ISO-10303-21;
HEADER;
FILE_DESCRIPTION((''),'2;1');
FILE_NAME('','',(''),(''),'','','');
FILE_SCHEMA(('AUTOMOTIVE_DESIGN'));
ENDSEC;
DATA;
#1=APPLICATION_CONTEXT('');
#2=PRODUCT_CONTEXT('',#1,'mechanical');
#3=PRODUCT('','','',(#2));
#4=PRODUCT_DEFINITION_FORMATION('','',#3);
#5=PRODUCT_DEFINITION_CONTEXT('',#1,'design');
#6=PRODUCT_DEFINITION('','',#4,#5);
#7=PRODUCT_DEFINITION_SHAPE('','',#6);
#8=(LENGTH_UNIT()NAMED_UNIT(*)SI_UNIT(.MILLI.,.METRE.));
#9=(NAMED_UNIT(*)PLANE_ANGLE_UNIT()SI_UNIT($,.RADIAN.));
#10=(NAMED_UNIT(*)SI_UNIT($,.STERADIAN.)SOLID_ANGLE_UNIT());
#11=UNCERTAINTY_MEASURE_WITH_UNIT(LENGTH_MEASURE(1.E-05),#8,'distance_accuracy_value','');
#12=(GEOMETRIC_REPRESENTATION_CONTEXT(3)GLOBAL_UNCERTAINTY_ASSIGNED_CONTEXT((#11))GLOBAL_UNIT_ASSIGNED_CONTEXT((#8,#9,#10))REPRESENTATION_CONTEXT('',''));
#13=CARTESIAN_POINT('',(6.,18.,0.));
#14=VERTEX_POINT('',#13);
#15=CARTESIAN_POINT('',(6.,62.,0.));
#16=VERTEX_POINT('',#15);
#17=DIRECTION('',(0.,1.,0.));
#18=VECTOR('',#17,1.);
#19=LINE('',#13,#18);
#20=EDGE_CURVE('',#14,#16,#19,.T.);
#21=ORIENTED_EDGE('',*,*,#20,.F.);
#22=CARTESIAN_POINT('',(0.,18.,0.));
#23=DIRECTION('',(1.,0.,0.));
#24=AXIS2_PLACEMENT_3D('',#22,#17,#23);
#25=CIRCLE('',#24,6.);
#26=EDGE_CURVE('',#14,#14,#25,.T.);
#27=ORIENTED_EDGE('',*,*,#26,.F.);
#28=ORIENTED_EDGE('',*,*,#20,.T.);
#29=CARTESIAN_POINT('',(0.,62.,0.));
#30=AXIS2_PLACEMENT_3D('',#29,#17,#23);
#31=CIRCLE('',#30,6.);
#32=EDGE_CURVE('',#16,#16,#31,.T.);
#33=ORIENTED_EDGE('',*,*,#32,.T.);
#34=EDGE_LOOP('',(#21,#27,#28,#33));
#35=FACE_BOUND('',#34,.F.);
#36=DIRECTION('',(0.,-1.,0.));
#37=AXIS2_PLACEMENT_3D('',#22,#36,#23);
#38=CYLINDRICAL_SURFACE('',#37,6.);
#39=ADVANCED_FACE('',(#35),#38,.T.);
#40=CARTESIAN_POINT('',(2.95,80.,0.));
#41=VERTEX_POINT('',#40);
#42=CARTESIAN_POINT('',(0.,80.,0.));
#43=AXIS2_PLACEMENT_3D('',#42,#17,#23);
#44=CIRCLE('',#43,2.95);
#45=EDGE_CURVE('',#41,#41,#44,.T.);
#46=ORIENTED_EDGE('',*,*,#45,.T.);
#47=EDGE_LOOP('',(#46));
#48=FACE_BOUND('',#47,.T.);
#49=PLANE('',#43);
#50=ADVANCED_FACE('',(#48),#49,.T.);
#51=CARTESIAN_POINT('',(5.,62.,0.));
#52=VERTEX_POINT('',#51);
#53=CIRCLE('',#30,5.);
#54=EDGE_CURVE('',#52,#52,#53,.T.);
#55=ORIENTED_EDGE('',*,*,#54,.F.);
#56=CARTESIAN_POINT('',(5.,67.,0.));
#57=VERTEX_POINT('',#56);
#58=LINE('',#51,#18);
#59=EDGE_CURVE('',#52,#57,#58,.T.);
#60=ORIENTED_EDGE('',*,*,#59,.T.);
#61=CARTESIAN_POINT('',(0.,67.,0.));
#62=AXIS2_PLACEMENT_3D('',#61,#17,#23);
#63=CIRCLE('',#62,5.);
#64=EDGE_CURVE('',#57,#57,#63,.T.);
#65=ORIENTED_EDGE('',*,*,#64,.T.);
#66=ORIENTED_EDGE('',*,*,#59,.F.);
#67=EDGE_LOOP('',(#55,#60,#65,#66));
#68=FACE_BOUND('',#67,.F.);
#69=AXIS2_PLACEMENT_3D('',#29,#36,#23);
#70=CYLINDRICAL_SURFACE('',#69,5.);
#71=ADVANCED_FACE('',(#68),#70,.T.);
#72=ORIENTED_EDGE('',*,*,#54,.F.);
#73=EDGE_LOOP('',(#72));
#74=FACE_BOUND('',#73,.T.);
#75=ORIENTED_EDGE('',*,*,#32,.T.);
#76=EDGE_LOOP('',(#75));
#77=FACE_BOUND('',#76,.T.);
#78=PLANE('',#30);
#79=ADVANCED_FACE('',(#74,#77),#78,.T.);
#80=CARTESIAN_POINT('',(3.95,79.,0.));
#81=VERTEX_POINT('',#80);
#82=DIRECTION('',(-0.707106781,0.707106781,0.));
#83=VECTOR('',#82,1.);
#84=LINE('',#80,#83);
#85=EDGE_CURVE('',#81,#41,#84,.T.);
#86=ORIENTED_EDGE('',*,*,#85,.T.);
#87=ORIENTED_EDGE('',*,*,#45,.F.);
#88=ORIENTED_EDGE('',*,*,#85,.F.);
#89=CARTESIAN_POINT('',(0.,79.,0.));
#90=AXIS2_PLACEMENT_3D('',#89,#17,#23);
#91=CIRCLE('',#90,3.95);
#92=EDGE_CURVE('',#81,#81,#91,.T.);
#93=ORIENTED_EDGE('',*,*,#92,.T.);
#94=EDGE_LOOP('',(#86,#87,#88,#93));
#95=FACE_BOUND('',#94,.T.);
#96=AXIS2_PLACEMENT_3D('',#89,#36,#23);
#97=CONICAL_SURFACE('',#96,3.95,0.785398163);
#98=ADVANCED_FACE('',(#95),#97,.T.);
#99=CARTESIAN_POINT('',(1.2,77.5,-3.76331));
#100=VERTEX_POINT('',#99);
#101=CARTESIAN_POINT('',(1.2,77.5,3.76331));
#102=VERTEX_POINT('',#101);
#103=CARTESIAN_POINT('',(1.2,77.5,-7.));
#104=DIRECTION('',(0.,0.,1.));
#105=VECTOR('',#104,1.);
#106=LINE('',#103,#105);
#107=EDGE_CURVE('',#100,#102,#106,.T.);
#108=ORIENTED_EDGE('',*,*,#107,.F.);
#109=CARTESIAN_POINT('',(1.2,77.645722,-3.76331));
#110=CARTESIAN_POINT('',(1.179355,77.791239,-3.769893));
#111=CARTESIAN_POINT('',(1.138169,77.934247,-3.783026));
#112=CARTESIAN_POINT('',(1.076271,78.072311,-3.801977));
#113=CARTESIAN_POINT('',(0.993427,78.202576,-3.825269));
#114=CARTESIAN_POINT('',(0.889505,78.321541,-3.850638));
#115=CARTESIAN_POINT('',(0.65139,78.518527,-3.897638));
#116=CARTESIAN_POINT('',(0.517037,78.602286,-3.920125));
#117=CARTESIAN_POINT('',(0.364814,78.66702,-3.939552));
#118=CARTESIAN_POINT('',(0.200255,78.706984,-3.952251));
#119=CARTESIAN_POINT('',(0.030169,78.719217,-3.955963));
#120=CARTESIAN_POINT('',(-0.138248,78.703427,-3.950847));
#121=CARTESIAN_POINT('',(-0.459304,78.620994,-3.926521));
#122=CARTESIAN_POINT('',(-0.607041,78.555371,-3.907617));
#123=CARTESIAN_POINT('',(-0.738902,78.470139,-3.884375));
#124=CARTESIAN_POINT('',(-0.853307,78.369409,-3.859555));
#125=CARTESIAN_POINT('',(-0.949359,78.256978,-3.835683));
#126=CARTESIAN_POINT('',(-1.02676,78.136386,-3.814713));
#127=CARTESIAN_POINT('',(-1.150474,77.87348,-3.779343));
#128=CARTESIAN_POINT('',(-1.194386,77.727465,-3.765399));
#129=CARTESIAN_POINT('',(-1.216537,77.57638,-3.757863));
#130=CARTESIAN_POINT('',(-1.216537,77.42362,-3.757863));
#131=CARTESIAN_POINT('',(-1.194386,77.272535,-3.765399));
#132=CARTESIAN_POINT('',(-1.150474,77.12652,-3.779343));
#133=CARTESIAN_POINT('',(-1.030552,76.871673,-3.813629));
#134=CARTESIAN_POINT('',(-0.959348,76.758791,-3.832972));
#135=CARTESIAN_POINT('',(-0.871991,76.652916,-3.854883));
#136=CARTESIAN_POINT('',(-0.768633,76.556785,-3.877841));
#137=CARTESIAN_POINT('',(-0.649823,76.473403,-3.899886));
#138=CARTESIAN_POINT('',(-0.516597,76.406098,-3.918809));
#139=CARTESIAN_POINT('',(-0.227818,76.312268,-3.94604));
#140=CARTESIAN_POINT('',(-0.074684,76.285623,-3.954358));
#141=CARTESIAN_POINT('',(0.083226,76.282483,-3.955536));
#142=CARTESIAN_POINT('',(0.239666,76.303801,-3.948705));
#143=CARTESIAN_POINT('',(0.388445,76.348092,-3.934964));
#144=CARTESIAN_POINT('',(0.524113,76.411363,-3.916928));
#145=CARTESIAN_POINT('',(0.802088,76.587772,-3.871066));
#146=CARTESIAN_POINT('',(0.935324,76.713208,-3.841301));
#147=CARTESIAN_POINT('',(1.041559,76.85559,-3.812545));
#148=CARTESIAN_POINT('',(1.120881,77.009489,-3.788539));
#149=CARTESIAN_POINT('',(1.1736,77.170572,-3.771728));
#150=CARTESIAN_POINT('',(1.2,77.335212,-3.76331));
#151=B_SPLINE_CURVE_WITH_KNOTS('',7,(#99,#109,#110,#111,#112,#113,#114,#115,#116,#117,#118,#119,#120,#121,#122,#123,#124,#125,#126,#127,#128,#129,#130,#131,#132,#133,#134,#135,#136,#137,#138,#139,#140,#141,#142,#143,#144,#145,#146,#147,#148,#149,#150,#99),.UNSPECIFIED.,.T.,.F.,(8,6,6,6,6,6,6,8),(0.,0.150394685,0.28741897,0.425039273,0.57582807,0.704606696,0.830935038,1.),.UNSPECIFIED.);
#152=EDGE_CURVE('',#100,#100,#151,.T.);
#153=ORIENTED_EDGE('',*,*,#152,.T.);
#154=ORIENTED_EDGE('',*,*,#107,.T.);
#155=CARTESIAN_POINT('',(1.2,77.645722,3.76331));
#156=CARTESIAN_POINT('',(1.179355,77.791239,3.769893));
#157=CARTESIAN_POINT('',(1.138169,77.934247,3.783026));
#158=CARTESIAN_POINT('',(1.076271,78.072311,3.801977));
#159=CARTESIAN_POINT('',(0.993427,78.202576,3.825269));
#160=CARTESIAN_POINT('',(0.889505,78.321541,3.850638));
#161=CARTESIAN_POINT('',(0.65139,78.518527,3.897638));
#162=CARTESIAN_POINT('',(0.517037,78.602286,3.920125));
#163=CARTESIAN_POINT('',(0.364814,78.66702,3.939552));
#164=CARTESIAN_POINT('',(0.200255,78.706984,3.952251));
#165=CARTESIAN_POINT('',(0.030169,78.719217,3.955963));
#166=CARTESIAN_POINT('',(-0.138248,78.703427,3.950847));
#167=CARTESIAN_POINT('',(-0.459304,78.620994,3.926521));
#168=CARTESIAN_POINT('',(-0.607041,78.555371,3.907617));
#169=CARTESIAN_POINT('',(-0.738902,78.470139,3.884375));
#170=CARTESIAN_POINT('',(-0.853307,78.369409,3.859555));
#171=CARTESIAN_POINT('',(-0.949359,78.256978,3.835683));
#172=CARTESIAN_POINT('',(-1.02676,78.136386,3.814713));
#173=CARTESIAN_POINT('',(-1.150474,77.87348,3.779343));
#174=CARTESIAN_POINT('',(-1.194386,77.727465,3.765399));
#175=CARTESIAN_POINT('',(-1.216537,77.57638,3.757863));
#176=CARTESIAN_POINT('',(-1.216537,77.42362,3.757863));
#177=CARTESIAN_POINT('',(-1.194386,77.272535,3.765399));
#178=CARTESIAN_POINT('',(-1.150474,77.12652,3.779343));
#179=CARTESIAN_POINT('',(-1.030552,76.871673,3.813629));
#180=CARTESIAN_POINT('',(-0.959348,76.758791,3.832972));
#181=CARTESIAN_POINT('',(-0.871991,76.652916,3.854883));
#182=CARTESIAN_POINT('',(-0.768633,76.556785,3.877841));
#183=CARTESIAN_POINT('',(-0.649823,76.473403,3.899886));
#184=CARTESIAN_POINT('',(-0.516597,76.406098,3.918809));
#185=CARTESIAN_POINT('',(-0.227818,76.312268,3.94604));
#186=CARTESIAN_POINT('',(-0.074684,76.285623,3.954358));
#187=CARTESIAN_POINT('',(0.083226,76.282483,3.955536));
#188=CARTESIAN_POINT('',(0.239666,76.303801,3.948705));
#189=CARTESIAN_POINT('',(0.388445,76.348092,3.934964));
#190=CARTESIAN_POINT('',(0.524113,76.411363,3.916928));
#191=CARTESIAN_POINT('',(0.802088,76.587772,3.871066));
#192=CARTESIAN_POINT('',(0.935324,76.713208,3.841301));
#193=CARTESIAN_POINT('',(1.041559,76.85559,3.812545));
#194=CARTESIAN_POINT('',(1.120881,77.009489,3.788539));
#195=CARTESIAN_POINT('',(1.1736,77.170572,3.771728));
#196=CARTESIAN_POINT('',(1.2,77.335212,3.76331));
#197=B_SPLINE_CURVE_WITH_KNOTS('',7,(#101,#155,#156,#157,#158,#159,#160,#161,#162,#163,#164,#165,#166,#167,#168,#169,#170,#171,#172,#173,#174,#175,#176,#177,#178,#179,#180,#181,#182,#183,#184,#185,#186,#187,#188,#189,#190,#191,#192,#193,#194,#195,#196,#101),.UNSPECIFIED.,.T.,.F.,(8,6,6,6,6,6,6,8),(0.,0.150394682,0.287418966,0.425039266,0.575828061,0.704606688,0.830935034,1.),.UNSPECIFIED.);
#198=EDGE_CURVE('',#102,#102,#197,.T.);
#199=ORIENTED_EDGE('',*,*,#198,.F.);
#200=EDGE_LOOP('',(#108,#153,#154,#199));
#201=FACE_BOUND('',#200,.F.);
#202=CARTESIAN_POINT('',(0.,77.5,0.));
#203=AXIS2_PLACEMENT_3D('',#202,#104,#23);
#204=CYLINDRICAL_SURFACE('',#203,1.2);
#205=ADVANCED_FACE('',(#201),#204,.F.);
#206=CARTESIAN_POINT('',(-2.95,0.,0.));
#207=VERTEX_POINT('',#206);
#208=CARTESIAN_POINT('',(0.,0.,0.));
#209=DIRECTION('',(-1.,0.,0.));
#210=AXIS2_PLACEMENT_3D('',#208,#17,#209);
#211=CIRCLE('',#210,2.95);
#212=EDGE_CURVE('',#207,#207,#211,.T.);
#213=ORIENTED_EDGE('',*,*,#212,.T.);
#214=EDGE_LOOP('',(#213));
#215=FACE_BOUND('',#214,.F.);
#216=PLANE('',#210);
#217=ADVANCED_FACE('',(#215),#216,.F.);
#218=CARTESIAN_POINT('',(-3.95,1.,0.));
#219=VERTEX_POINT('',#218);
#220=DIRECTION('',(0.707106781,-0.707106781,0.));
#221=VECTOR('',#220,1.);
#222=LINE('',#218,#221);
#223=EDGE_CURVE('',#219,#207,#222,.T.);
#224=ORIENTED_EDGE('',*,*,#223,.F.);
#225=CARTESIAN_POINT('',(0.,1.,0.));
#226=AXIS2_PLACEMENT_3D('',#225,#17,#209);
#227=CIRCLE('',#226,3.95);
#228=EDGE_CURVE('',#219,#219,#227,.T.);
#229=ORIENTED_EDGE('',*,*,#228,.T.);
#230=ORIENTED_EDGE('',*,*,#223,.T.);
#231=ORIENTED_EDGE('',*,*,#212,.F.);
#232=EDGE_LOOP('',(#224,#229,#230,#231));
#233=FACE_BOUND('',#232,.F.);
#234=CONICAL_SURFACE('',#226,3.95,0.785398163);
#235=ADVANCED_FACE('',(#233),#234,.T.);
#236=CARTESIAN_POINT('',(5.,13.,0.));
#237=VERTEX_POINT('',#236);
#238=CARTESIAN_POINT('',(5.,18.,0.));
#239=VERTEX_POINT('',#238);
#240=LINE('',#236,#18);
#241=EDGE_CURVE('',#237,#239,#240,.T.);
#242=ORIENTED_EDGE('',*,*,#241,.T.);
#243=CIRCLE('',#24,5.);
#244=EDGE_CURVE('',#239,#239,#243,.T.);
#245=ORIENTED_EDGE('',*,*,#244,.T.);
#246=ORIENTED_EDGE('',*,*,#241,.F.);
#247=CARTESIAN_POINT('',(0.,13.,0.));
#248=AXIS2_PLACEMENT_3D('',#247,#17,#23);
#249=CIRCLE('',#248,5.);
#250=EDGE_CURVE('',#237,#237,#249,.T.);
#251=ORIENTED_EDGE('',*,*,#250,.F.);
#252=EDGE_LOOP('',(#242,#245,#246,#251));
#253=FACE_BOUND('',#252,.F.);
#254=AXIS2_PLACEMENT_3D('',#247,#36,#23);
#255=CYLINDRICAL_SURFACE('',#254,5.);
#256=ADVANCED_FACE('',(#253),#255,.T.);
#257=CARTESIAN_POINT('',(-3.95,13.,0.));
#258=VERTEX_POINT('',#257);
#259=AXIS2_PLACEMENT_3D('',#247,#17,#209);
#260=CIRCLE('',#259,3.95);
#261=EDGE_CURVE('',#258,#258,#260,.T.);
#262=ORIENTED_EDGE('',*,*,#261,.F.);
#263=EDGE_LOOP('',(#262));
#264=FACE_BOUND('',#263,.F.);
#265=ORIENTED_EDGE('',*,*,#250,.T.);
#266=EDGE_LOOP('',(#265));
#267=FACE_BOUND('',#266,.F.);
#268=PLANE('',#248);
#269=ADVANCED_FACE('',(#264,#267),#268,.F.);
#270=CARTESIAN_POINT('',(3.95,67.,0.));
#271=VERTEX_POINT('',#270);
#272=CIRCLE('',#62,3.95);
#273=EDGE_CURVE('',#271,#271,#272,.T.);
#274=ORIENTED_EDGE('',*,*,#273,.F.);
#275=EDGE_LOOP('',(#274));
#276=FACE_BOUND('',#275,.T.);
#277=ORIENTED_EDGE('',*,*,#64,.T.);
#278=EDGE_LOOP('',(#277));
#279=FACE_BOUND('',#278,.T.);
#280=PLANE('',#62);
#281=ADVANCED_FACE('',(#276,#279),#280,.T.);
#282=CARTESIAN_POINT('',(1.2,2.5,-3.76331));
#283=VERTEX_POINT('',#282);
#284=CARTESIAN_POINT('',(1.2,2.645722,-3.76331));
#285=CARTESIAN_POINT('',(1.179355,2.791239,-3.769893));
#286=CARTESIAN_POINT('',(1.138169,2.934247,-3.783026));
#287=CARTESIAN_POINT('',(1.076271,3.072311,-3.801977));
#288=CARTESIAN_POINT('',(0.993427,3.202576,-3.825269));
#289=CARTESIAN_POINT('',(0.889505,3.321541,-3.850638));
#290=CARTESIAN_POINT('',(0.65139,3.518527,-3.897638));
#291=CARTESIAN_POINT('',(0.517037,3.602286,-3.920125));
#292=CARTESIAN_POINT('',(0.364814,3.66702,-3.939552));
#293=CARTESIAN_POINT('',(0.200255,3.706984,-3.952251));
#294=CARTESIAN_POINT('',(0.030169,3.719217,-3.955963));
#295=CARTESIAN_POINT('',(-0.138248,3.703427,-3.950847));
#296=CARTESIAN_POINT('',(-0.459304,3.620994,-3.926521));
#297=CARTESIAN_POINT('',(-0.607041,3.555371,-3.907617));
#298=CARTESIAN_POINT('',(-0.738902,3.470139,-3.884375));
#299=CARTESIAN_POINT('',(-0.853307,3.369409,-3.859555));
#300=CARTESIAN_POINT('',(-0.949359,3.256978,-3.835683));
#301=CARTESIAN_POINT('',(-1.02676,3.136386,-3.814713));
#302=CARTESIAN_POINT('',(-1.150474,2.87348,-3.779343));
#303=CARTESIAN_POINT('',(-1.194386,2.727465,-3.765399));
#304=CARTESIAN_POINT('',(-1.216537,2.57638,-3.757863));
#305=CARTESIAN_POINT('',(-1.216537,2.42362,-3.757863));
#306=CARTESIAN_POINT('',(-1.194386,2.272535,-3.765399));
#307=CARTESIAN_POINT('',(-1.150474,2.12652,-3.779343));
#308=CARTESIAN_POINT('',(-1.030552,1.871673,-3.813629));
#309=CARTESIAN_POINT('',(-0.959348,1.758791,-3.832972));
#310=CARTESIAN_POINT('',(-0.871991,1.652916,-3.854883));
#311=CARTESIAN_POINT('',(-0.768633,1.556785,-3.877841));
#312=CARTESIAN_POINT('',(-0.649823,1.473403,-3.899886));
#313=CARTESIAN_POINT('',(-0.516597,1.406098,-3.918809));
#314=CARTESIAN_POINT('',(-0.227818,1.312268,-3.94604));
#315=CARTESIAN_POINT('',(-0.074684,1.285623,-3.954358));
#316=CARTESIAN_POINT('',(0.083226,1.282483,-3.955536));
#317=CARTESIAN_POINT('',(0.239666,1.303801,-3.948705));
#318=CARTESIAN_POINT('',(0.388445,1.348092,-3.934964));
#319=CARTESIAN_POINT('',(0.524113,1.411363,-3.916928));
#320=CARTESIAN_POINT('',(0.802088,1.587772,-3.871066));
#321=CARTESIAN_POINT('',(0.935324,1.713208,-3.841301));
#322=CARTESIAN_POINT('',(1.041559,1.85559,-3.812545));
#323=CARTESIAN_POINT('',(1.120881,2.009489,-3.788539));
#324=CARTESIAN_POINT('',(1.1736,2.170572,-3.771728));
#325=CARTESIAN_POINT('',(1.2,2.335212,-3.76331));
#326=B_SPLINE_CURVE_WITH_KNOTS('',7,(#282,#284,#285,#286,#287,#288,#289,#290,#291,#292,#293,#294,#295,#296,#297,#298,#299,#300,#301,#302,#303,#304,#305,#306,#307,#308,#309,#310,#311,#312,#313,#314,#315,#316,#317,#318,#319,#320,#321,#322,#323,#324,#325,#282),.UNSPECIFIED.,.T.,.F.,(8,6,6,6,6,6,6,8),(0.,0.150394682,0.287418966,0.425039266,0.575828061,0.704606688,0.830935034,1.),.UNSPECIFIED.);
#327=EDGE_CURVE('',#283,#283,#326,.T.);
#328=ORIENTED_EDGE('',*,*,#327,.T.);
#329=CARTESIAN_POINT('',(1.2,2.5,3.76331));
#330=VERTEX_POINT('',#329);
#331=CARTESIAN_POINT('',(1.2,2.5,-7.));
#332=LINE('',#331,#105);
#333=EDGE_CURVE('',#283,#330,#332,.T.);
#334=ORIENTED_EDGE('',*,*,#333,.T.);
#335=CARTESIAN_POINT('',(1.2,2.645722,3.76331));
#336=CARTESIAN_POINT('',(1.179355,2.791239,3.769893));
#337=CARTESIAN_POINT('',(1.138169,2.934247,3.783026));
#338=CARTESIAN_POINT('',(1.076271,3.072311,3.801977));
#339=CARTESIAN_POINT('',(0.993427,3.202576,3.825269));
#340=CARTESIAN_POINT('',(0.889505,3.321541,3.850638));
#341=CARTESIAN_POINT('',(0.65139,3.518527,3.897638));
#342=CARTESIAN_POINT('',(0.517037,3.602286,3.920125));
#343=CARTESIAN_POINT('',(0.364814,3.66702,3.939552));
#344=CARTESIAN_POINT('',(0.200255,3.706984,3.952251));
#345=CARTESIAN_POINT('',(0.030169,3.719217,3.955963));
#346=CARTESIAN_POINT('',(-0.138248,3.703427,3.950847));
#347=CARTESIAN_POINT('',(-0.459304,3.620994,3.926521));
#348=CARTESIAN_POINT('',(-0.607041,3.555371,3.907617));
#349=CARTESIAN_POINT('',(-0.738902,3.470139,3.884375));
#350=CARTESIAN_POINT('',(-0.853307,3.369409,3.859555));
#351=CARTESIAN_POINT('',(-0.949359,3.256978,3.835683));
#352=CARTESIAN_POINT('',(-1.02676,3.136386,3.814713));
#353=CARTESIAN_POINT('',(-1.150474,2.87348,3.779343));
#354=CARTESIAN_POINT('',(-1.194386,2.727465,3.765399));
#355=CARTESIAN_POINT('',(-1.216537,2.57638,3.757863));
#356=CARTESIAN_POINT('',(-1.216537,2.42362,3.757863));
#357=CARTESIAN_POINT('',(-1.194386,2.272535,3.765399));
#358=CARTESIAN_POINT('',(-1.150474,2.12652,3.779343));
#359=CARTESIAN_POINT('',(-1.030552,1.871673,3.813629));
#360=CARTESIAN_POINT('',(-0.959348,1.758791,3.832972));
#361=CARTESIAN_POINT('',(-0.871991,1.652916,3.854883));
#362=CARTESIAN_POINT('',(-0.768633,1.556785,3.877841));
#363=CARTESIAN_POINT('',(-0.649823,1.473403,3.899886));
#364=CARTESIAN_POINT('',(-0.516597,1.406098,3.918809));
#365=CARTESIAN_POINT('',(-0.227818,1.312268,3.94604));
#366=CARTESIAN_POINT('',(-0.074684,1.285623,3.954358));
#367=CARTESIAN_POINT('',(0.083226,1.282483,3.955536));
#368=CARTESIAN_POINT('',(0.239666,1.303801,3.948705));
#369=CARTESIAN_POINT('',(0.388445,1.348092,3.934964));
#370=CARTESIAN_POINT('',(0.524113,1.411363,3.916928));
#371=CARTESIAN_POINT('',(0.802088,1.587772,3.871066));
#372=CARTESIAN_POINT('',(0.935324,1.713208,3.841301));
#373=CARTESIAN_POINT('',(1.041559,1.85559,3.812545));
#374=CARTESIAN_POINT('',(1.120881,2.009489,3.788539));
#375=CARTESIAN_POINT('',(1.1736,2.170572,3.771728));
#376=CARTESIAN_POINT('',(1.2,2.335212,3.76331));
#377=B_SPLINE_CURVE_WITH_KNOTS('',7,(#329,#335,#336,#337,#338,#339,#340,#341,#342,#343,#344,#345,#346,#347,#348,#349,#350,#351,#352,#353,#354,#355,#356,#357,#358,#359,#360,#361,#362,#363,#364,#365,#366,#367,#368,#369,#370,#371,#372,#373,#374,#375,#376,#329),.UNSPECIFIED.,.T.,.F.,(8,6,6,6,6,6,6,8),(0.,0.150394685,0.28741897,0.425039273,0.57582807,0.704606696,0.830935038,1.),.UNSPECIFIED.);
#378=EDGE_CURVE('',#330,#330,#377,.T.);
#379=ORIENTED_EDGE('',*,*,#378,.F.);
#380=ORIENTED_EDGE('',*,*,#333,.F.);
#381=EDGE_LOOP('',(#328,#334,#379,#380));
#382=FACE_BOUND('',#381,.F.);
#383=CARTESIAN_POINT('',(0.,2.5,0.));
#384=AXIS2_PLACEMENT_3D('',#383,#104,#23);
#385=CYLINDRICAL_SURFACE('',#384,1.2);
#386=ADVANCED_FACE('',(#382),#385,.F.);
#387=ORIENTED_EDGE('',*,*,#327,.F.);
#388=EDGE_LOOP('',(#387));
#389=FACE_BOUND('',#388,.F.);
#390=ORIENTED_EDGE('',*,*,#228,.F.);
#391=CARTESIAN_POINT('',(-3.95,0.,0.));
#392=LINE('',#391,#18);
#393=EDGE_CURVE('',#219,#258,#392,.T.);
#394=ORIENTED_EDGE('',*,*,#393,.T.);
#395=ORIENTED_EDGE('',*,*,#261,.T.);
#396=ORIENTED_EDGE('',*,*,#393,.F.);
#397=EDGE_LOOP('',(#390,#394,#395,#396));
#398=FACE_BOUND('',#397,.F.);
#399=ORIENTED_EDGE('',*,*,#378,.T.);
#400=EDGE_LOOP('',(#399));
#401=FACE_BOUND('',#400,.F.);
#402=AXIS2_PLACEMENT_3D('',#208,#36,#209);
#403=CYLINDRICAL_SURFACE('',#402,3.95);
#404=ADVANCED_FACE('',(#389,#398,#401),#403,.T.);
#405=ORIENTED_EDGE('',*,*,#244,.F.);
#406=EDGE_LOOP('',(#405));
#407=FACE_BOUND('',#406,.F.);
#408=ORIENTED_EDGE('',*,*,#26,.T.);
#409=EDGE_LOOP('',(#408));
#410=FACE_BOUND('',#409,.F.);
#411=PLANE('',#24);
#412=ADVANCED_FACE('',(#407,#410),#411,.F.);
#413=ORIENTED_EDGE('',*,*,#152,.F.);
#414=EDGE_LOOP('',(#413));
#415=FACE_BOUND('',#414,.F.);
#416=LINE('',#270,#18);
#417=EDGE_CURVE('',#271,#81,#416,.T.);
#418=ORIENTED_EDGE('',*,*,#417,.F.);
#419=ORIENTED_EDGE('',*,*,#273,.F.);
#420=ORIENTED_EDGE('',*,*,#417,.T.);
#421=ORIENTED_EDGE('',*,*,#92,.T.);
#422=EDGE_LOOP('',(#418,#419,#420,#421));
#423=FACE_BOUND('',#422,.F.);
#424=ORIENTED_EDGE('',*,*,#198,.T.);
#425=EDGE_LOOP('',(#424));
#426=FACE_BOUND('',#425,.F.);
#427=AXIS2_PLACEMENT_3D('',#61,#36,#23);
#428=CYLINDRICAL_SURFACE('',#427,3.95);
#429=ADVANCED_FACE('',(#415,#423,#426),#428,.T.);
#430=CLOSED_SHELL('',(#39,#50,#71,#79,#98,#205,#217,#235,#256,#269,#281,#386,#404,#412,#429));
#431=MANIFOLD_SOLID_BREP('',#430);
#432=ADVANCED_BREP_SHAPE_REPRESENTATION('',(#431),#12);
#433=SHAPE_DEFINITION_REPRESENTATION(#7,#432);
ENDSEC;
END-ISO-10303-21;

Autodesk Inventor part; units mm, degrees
ref_plane "YZ Plane" through (0, 0, 0) normal (1, 0, 0) x (0, 1, 0)
ref_plane "XZ Plane" through (0, 0, 0) normal (0, 1, 0) x (-1, 0, 0)
ref_plane "XY Plane" through (0, 0, 0) normal (0, 0, 1) x (1, 0, 0)
sketch "Sketch1" plane through (0, 0, 0) normal (0, 1, 0) x (-1, 0, 0)
  circle A0 centre (0, 0) radius 3.95
  dimension "d0" = 7.9
extrude "Extrusion1" add sketch "Sketch1" along normal blind 13
sketch "Sketch2" plane through (0, 13, 0) normal (0, 1, 0) x (1, 0, 0)
  circle A0 centre (0, 0) radius 5
  dimension "d3" = 10
extrude "Extrusion2" add sketch "Sketch2" along normal blind 5
sketch "Sketch3" plane through (0, 18, 0) normal (0, 1, 0) x (1, 0, 0)
  circle A0 centre (0, 0) radius 6
  dimension "d6" = 12
extrude "Extrusion3" add sketch "Sketch3" along normal blind 44
sketch "Sketch4" plane through (0, 62, 0) normal (0, 1, 0) x (1, 0, 0)
  circle A0 centre (0, 0) radius 5
  dimension "d9" = 10
extrude "Extrusion4" add sketch "Sketch4" along normal blind 5
sketch "Sketch5" plane through (0, 67, 0) normal (0, 1, 0) x (1, 0, 0)
  circle A0 centre (0, 0) radius 3.95
  dimension "d12" = 7.9
extrude "Extrusion5" add sketch "Sketch5" along normal blind 13
sketch "Sketch6" plane through (0, 0, 0) normal (0, 0, 1) x (1, 0, 0)
  circle A0 centre (0, 2.5) radius 1.2
  line L0 (3.95, 0) -> (-3.95, 0) projected
  point P0 (0, 0)
  dimension "d15" = 2.4
  dimension "d16" = 2.5
extrude "Extrusion6" cut sketch "Sketch6" against normal through all both and the other way through all
chamfer "Chamfer1" distance 1 angle 45 1 edges at (3.95, 0, 0)
sketch "Sketch7" plane through (0, 0, 0) normal (1, 0, 0) x (0, 1, 0)
  point P0 (0, 0)
sketch "Sketch8" plane through (0, 0, 0) normal (0, 1, 0) x (-1, 0, 0)
  point P0 (0, 0)
sketch "Sketch9" plane through (0, 0, 0) normal (0, 0, 1) x (1, 0, 0)
  circle A0 centre (0, 77.5) radius 1.2
  line L0 (3.95, 80) -> (-3.95, 80) projected
  point P0 (0, 0)
  dimension "d22" = 2.4
  dimension "d23" = 2.5
extrude "Extrusion7" cut sketch "Sketch9" against normal through all both and the other way through all
chamfer "Chamfer2" distance 1 angle 45 1 edges at (-3.95, 80, 0)
properties part number "Wheel_axle" material "Steel, High Strength, Low Alloy"
